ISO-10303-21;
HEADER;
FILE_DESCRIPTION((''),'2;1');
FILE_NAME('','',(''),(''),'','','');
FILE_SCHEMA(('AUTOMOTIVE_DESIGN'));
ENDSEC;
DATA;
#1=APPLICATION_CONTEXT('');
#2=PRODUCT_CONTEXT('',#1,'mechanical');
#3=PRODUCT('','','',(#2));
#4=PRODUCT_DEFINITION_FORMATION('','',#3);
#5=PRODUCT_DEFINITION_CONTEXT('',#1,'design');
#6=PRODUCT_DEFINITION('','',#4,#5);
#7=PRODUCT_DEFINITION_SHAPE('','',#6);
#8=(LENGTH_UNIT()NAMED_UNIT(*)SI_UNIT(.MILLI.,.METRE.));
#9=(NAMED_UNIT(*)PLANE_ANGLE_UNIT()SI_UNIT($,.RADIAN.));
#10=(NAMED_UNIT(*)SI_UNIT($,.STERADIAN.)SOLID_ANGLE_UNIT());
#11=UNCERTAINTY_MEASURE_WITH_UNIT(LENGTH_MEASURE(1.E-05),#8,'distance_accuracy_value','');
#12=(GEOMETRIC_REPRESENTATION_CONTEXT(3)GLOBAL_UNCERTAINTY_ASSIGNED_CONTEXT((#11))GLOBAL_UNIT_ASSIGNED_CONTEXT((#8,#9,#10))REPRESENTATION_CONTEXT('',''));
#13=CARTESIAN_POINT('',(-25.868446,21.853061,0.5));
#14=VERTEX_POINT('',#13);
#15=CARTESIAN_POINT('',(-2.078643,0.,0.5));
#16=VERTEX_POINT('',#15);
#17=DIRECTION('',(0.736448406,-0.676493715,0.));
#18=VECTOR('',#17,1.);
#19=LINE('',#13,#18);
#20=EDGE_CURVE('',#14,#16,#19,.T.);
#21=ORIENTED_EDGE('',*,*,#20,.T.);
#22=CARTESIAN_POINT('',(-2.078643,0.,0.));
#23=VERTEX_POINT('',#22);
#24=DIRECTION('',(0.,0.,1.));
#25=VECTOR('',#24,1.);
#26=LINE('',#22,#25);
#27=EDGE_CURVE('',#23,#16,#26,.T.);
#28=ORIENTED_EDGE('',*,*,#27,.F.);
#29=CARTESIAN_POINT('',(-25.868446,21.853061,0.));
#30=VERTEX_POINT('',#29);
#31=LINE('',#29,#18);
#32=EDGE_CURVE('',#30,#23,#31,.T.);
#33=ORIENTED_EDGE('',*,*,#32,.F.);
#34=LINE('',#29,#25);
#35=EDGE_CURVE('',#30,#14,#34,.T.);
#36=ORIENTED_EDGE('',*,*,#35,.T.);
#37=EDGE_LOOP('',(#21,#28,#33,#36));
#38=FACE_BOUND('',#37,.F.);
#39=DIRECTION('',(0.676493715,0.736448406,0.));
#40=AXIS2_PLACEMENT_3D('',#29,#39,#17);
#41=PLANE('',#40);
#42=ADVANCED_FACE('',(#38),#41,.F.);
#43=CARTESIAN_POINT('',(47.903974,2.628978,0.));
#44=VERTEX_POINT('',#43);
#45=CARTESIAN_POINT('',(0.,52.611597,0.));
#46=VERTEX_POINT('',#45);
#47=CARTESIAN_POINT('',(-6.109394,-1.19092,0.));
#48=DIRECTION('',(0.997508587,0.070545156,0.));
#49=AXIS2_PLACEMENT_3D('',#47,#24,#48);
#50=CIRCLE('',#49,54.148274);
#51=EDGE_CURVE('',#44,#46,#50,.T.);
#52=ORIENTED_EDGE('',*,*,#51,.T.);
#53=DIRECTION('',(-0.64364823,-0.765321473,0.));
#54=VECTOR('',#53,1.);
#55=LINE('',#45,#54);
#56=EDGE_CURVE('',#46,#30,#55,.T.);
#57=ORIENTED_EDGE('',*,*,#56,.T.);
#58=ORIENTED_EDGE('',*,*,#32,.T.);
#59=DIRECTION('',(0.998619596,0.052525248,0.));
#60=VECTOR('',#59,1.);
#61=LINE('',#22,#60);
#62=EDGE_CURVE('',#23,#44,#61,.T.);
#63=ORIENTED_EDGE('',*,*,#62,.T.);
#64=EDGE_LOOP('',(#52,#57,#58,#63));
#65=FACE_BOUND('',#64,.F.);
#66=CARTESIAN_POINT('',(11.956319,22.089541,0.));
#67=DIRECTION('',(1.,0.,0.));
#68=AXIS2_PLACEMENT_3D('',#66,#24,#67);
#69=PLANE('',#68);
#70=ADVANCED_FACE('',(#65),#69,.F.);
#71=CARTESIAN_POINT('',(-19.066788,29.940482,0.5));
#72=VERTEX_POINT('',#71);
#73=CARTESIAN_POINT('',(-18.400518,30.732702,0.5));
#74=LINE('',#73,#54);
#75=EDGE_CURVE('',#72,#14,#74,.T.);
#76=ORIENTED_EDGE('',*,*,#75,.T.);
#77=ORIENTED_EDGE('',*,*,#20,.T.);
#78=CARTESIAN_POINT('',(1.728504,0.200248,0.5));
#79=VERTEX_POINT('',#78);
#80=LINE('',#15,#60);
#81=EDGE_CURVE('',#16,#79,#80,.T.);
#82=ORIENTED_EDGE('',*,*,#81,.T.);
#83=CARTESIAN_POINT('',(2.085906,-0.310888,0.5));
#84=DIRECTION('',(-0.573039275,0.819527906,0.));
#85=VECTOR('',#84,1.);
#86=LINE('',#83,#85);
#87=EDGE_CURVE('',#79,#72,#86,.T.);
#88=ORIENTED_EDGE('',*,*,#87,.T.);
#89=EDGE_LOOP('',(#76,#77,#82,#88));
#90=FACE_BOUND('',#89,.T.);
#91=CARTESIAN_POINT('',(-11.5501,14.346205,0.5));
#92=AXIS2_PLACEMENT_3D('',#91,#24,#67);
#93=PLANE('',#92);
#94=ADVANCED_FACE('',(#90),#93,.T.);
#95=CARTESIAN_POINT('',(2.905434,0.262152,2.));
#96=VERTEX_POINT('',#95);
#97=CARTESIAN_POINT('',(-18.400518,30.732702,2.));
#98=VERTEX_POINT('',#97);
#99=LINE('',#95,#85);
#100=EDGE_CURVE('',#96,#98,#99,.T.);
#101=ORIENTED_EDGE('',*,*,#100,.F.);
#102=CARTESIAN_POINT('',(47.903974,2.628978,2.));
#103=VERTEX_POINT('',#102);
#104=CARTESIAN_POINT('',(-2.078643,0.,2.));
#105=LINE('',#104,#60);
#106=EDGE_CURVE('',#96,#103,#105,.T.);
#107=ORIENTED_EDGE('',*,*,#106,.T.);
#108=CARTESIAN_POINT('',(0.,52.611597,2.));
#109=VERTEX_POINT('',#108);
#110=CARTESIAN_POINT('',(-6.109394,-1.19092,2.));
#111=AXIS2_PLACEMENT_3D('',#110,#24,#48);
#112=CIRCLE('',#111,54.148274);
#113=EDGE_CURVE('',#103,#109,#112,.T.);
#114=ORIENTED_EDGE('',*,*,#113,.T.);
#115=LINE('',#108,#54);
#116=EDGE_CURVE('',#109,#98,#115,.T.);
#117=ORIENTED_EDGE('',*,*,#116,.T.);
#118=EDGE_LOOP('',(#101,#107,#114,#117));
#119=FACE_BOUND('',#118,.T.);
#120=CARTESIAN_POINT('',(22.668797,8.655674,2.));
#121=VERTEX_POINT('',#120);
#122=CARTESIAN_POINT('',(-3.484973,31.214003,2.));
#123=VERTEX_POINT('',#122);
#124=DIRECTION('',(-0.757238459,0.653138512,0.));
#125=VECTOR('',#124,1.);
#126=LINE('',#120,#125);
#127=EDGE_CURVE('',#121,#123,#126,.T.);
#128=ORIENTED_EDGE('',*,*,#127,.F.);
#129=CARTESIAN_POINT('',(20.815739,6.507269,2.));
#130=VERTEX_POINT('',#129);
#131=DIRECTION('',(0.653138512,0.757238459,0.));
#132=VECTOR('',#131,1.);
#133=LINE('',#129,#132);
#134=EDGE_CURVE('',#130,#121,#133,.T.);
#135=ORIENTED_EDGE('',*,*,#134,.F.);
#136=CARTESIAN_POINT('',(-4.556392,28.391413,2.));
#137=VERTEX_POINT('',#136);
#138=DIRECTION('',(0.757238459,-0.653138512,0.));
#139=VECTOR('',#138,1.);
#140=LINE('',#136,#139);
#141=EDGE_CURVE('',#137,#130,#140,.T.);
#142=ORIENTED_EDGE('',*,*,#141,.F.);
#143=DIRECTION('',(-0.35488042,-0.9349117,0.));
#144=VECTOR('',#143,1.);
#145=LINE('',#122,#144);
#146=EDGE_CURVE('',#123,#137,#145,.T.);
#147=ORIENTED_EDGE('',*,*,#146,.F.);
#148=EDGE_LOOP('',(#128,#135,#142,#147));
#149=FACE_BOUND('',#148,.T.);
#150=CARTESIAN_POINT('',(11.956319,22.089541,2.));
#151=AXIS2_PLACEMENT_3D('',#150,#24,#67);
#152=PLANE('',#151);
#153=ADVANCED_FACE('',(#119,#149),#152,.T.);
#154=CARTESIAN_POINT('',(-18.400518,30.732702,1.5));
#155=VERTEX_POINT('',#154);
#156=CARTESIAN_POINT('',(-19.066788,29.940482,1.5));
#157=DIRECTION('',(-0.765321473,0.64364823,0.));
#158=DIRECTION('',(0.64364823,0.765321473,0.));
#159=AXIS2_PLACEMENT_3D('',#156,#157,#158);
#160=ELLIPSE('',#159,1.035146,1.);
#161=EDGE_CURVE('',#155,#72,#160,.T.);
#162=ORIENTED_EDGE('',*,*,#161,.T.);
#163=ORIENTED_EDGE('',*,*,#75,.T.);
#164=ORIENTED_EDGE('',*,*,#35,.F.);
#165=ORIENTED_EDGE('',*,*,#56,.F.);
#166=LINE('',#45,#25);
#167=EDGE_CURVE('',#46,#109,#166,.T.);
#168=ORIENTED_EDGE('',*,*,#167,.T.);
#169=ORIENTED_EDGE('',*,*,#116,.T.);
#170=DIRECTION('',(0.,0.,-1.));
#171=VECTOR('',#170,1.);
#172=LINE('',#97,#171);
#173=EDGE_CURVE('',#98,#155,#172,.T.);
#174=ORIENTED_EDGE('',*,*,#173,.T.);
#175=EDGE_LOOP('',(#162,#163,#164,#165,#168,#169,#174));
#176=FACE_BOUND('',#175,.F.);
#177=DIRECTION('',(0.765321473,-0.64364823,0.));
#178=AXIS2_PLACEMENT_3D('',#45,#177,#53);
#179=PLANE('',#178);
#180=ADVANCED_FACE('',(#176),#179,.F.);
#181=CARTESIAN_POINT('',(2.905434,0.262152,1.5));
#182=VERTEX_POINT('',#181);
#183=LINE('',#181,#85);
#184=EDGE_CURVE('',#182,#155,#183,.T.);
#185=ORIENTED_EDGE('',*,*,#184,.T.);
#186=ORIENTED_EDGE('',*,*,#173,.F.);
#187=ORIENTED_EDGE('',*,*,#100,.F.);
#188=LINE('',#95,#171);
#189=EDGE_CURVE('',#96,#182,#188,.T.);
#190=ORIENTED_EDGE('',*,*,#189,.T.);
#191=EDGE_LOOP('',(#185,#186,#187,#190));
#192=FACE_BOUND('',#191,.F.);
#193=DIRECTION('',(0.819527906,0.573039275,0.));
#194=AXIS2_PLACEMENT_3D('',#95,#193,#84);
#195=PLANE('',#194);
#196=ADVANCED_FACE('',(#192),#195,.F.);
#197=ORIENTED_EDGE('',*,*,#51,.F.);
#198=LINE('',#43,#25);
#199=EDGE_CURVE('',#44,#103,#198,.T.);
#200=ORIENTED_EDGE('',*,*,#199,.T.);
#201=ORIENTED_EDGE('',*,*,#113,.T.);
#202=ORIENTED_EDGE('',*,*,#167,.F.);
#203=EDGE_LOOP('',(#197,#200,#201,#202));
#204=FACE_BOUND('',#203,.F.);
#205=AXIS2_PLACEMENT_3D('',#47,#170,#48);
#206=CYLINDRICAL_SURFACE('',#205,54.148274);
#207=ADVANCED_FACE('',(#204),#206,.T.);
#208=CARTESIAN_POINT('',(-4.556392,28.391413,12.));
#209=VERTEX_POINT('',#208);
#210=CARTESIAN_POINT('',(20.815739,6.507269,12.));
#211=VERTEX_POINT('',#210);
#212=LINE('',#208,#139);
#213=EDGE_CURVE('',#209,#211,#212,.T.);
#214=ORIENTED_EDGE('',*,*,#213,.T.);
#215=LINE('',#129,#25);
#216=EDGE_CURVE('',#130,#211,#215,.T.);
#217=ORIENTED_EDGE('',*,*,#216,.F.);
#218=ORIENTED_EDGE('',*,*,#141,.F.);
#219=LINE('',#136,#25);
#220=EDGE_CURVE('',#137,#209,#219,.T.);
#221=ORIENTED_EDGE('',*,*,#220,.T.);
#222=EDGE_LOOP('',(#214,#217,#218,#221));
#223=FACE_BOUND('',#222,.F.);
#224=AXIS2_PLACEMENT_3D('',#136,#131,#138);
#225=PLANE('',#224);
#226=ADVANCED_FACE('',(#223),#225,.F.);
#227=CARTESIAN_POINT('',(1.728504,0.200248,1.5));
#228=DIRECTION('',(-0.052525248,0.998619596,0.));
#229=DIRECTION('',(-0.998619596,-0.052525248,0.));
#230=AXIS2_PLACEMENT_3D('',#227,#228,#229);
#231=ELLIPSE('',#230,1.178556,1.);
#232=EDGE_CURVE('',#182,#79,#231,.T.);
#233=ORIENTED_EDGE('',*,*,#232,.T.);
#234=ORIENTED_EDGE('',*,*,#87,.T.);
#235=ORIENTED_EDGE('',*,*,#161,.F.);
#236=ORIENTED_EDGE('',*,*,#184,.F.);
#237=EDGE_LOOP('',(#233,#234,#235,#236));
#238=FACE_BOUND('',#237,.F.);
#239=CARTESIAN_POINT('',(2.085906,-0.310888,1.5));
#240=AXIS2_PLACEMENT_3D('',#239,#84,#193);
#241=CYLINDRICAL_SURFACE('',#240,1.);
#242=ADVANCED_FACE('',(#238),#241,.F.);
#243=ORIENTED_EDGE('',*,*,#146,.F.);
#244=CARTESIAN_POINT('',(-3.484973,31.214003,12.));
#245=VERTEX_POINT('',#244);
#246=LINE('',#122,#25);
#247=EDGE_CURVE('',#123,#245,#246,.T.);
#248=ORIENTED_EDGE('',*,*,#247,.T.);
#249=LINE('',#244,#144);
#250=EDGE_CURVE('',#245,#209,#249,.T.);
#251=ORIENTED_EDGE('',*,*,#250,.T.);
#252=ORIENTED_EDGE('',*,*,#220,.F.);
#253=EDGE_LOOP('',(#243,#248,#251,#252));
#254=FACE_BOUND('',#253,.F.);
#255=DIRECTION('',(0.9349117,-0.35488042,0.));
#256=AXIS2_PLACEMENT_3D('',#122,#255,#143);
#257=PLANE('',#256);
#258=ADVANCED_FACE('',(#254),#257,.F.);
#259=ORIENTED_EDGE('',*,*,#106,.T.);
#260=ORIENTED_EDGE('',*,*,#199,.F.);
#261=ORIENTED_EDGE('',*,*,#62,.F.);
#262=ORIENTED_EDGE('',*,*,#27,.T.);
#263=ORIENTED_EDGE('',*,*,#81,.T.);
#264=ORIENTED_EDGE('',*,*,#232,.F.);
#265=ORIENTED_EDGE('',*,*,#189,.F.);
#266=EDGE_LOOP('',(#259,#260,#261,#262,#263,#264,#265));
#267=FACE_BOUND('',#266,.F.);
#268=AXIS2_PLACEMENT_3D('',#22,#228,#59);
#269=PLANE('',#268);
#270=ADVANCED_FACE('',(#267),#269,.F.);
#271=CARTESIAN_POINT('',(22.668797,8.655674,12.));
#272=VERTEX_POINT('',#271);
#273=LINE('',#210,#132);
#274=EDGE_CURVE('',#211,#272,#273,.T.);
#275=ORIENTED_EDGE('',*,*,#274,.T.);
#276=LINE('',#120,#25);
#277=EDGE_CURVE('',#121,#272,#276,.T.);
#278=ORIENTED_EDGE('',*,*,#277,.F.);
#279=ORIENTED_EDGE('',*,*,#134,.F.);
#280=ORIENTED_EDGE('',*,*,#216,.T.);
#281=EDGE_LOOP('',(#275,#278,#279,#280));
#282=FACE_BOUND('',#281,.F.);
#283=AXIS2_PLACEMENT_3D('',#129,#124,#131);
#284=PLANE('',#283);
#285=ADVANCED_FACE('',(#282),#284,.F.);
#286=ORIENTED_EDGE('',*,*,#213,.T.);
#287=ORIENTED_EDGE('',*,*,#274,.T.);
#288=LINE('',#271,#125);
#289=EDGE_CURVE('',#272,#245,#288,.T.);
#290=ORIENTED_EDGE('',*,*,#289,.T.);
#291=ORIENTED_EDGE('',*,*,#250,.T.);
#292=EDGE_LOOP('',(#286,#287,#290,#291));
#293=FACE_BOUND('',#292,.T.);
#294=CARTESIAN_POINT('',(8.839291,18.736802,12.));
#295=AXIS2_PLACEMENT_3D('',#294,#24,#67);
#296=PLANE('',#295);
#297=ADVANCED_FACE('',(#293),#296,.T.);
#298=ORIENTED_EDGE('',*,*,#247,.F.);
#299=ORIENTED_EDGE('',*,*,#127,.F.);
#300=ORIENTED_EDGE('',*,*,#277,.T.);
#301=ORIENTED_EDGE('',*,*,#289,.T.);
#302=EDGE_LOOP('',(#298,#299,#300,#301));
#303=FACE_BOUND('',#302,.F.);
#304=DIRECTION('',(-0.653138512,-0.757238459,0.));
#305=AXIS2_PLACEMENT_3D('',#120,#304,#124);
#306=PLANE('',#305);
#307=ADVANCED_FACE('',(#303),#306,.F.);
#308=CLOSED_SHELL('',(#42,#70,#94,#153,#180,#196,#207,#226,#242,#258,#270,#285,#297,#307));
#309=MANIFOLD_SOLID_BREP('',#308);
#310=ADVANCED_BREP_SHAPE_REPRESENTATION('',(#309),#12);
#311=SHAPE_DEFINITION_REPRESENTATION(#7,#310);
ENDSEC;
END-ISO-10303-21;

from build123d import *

# Parameters (mm, degrees)
F1_DEPTH = 2
F3_DEPTH = 10
F5_DEPTH = 1
F6_DEPTH = 0.5
F7_R     = 1


with BuildPart() as f1:
    # F0 (on Top) → F1 (new body)
    with BuildSketch(Plane.XY):
        with BuildLine():
            Line((-2.078642603, 0), (47.9039736092, 2.6289783418))
            ThreePointArc((47.9039736092, 2.6289783418), (32.9834717321, 36.2761769642), (0, 52.6115968823))
            Line((0, 52.6115968823), (-25.8684456348, 21.8530613929))
            Line((-25.8684456348, 21.8530613929), (-2.078642603, 0))
        make_face()
    extrude(amount=F1_DEPTH)

    # F2 (on face) → F3 (join)
    with BuildSketch(Plane.XY.offset(2)):
        Polygon((-3.4849730935, 31.2140034176), (-4.5563918538, 28.3914133906), (20.8157394081, 6.5072686411), (22.6687969397, 8.6556742318), align=None)
    extrude(amount=F3_DEPTH)

    # F4 (on face) → F5 (cut)
    with BuildSketch(Plane.XY.offset(2)):
        Polygon((-2.078642603, 0), (2.9054336124, 0.2621517123), (-18.4005183491, 30.7327022377), (-25.8684456348, 21.8530613929), align=None)
    extrude(amount=-F5_DEPTH, mode=Mode.SUBTRACT)

    # F6 (cut): a face of the model
    f6_faces = [f1.faces().sort_by_distance(p)[0] for p in [
        (-12.6099622949, 15.3981218479, 1),
    ]]
    extrude(f6_faces, amount=-F6_DEPTH, mode=Mode.SUBTRACT)

    # F7
    f7_edges = [f1.edges().sort_by_distance(p)[0] for p in [
        (-7.747542, 15.497427, 0.5),
    ]]
    fillet(f7_edges, radius=F7_R)


solid = f1.part
